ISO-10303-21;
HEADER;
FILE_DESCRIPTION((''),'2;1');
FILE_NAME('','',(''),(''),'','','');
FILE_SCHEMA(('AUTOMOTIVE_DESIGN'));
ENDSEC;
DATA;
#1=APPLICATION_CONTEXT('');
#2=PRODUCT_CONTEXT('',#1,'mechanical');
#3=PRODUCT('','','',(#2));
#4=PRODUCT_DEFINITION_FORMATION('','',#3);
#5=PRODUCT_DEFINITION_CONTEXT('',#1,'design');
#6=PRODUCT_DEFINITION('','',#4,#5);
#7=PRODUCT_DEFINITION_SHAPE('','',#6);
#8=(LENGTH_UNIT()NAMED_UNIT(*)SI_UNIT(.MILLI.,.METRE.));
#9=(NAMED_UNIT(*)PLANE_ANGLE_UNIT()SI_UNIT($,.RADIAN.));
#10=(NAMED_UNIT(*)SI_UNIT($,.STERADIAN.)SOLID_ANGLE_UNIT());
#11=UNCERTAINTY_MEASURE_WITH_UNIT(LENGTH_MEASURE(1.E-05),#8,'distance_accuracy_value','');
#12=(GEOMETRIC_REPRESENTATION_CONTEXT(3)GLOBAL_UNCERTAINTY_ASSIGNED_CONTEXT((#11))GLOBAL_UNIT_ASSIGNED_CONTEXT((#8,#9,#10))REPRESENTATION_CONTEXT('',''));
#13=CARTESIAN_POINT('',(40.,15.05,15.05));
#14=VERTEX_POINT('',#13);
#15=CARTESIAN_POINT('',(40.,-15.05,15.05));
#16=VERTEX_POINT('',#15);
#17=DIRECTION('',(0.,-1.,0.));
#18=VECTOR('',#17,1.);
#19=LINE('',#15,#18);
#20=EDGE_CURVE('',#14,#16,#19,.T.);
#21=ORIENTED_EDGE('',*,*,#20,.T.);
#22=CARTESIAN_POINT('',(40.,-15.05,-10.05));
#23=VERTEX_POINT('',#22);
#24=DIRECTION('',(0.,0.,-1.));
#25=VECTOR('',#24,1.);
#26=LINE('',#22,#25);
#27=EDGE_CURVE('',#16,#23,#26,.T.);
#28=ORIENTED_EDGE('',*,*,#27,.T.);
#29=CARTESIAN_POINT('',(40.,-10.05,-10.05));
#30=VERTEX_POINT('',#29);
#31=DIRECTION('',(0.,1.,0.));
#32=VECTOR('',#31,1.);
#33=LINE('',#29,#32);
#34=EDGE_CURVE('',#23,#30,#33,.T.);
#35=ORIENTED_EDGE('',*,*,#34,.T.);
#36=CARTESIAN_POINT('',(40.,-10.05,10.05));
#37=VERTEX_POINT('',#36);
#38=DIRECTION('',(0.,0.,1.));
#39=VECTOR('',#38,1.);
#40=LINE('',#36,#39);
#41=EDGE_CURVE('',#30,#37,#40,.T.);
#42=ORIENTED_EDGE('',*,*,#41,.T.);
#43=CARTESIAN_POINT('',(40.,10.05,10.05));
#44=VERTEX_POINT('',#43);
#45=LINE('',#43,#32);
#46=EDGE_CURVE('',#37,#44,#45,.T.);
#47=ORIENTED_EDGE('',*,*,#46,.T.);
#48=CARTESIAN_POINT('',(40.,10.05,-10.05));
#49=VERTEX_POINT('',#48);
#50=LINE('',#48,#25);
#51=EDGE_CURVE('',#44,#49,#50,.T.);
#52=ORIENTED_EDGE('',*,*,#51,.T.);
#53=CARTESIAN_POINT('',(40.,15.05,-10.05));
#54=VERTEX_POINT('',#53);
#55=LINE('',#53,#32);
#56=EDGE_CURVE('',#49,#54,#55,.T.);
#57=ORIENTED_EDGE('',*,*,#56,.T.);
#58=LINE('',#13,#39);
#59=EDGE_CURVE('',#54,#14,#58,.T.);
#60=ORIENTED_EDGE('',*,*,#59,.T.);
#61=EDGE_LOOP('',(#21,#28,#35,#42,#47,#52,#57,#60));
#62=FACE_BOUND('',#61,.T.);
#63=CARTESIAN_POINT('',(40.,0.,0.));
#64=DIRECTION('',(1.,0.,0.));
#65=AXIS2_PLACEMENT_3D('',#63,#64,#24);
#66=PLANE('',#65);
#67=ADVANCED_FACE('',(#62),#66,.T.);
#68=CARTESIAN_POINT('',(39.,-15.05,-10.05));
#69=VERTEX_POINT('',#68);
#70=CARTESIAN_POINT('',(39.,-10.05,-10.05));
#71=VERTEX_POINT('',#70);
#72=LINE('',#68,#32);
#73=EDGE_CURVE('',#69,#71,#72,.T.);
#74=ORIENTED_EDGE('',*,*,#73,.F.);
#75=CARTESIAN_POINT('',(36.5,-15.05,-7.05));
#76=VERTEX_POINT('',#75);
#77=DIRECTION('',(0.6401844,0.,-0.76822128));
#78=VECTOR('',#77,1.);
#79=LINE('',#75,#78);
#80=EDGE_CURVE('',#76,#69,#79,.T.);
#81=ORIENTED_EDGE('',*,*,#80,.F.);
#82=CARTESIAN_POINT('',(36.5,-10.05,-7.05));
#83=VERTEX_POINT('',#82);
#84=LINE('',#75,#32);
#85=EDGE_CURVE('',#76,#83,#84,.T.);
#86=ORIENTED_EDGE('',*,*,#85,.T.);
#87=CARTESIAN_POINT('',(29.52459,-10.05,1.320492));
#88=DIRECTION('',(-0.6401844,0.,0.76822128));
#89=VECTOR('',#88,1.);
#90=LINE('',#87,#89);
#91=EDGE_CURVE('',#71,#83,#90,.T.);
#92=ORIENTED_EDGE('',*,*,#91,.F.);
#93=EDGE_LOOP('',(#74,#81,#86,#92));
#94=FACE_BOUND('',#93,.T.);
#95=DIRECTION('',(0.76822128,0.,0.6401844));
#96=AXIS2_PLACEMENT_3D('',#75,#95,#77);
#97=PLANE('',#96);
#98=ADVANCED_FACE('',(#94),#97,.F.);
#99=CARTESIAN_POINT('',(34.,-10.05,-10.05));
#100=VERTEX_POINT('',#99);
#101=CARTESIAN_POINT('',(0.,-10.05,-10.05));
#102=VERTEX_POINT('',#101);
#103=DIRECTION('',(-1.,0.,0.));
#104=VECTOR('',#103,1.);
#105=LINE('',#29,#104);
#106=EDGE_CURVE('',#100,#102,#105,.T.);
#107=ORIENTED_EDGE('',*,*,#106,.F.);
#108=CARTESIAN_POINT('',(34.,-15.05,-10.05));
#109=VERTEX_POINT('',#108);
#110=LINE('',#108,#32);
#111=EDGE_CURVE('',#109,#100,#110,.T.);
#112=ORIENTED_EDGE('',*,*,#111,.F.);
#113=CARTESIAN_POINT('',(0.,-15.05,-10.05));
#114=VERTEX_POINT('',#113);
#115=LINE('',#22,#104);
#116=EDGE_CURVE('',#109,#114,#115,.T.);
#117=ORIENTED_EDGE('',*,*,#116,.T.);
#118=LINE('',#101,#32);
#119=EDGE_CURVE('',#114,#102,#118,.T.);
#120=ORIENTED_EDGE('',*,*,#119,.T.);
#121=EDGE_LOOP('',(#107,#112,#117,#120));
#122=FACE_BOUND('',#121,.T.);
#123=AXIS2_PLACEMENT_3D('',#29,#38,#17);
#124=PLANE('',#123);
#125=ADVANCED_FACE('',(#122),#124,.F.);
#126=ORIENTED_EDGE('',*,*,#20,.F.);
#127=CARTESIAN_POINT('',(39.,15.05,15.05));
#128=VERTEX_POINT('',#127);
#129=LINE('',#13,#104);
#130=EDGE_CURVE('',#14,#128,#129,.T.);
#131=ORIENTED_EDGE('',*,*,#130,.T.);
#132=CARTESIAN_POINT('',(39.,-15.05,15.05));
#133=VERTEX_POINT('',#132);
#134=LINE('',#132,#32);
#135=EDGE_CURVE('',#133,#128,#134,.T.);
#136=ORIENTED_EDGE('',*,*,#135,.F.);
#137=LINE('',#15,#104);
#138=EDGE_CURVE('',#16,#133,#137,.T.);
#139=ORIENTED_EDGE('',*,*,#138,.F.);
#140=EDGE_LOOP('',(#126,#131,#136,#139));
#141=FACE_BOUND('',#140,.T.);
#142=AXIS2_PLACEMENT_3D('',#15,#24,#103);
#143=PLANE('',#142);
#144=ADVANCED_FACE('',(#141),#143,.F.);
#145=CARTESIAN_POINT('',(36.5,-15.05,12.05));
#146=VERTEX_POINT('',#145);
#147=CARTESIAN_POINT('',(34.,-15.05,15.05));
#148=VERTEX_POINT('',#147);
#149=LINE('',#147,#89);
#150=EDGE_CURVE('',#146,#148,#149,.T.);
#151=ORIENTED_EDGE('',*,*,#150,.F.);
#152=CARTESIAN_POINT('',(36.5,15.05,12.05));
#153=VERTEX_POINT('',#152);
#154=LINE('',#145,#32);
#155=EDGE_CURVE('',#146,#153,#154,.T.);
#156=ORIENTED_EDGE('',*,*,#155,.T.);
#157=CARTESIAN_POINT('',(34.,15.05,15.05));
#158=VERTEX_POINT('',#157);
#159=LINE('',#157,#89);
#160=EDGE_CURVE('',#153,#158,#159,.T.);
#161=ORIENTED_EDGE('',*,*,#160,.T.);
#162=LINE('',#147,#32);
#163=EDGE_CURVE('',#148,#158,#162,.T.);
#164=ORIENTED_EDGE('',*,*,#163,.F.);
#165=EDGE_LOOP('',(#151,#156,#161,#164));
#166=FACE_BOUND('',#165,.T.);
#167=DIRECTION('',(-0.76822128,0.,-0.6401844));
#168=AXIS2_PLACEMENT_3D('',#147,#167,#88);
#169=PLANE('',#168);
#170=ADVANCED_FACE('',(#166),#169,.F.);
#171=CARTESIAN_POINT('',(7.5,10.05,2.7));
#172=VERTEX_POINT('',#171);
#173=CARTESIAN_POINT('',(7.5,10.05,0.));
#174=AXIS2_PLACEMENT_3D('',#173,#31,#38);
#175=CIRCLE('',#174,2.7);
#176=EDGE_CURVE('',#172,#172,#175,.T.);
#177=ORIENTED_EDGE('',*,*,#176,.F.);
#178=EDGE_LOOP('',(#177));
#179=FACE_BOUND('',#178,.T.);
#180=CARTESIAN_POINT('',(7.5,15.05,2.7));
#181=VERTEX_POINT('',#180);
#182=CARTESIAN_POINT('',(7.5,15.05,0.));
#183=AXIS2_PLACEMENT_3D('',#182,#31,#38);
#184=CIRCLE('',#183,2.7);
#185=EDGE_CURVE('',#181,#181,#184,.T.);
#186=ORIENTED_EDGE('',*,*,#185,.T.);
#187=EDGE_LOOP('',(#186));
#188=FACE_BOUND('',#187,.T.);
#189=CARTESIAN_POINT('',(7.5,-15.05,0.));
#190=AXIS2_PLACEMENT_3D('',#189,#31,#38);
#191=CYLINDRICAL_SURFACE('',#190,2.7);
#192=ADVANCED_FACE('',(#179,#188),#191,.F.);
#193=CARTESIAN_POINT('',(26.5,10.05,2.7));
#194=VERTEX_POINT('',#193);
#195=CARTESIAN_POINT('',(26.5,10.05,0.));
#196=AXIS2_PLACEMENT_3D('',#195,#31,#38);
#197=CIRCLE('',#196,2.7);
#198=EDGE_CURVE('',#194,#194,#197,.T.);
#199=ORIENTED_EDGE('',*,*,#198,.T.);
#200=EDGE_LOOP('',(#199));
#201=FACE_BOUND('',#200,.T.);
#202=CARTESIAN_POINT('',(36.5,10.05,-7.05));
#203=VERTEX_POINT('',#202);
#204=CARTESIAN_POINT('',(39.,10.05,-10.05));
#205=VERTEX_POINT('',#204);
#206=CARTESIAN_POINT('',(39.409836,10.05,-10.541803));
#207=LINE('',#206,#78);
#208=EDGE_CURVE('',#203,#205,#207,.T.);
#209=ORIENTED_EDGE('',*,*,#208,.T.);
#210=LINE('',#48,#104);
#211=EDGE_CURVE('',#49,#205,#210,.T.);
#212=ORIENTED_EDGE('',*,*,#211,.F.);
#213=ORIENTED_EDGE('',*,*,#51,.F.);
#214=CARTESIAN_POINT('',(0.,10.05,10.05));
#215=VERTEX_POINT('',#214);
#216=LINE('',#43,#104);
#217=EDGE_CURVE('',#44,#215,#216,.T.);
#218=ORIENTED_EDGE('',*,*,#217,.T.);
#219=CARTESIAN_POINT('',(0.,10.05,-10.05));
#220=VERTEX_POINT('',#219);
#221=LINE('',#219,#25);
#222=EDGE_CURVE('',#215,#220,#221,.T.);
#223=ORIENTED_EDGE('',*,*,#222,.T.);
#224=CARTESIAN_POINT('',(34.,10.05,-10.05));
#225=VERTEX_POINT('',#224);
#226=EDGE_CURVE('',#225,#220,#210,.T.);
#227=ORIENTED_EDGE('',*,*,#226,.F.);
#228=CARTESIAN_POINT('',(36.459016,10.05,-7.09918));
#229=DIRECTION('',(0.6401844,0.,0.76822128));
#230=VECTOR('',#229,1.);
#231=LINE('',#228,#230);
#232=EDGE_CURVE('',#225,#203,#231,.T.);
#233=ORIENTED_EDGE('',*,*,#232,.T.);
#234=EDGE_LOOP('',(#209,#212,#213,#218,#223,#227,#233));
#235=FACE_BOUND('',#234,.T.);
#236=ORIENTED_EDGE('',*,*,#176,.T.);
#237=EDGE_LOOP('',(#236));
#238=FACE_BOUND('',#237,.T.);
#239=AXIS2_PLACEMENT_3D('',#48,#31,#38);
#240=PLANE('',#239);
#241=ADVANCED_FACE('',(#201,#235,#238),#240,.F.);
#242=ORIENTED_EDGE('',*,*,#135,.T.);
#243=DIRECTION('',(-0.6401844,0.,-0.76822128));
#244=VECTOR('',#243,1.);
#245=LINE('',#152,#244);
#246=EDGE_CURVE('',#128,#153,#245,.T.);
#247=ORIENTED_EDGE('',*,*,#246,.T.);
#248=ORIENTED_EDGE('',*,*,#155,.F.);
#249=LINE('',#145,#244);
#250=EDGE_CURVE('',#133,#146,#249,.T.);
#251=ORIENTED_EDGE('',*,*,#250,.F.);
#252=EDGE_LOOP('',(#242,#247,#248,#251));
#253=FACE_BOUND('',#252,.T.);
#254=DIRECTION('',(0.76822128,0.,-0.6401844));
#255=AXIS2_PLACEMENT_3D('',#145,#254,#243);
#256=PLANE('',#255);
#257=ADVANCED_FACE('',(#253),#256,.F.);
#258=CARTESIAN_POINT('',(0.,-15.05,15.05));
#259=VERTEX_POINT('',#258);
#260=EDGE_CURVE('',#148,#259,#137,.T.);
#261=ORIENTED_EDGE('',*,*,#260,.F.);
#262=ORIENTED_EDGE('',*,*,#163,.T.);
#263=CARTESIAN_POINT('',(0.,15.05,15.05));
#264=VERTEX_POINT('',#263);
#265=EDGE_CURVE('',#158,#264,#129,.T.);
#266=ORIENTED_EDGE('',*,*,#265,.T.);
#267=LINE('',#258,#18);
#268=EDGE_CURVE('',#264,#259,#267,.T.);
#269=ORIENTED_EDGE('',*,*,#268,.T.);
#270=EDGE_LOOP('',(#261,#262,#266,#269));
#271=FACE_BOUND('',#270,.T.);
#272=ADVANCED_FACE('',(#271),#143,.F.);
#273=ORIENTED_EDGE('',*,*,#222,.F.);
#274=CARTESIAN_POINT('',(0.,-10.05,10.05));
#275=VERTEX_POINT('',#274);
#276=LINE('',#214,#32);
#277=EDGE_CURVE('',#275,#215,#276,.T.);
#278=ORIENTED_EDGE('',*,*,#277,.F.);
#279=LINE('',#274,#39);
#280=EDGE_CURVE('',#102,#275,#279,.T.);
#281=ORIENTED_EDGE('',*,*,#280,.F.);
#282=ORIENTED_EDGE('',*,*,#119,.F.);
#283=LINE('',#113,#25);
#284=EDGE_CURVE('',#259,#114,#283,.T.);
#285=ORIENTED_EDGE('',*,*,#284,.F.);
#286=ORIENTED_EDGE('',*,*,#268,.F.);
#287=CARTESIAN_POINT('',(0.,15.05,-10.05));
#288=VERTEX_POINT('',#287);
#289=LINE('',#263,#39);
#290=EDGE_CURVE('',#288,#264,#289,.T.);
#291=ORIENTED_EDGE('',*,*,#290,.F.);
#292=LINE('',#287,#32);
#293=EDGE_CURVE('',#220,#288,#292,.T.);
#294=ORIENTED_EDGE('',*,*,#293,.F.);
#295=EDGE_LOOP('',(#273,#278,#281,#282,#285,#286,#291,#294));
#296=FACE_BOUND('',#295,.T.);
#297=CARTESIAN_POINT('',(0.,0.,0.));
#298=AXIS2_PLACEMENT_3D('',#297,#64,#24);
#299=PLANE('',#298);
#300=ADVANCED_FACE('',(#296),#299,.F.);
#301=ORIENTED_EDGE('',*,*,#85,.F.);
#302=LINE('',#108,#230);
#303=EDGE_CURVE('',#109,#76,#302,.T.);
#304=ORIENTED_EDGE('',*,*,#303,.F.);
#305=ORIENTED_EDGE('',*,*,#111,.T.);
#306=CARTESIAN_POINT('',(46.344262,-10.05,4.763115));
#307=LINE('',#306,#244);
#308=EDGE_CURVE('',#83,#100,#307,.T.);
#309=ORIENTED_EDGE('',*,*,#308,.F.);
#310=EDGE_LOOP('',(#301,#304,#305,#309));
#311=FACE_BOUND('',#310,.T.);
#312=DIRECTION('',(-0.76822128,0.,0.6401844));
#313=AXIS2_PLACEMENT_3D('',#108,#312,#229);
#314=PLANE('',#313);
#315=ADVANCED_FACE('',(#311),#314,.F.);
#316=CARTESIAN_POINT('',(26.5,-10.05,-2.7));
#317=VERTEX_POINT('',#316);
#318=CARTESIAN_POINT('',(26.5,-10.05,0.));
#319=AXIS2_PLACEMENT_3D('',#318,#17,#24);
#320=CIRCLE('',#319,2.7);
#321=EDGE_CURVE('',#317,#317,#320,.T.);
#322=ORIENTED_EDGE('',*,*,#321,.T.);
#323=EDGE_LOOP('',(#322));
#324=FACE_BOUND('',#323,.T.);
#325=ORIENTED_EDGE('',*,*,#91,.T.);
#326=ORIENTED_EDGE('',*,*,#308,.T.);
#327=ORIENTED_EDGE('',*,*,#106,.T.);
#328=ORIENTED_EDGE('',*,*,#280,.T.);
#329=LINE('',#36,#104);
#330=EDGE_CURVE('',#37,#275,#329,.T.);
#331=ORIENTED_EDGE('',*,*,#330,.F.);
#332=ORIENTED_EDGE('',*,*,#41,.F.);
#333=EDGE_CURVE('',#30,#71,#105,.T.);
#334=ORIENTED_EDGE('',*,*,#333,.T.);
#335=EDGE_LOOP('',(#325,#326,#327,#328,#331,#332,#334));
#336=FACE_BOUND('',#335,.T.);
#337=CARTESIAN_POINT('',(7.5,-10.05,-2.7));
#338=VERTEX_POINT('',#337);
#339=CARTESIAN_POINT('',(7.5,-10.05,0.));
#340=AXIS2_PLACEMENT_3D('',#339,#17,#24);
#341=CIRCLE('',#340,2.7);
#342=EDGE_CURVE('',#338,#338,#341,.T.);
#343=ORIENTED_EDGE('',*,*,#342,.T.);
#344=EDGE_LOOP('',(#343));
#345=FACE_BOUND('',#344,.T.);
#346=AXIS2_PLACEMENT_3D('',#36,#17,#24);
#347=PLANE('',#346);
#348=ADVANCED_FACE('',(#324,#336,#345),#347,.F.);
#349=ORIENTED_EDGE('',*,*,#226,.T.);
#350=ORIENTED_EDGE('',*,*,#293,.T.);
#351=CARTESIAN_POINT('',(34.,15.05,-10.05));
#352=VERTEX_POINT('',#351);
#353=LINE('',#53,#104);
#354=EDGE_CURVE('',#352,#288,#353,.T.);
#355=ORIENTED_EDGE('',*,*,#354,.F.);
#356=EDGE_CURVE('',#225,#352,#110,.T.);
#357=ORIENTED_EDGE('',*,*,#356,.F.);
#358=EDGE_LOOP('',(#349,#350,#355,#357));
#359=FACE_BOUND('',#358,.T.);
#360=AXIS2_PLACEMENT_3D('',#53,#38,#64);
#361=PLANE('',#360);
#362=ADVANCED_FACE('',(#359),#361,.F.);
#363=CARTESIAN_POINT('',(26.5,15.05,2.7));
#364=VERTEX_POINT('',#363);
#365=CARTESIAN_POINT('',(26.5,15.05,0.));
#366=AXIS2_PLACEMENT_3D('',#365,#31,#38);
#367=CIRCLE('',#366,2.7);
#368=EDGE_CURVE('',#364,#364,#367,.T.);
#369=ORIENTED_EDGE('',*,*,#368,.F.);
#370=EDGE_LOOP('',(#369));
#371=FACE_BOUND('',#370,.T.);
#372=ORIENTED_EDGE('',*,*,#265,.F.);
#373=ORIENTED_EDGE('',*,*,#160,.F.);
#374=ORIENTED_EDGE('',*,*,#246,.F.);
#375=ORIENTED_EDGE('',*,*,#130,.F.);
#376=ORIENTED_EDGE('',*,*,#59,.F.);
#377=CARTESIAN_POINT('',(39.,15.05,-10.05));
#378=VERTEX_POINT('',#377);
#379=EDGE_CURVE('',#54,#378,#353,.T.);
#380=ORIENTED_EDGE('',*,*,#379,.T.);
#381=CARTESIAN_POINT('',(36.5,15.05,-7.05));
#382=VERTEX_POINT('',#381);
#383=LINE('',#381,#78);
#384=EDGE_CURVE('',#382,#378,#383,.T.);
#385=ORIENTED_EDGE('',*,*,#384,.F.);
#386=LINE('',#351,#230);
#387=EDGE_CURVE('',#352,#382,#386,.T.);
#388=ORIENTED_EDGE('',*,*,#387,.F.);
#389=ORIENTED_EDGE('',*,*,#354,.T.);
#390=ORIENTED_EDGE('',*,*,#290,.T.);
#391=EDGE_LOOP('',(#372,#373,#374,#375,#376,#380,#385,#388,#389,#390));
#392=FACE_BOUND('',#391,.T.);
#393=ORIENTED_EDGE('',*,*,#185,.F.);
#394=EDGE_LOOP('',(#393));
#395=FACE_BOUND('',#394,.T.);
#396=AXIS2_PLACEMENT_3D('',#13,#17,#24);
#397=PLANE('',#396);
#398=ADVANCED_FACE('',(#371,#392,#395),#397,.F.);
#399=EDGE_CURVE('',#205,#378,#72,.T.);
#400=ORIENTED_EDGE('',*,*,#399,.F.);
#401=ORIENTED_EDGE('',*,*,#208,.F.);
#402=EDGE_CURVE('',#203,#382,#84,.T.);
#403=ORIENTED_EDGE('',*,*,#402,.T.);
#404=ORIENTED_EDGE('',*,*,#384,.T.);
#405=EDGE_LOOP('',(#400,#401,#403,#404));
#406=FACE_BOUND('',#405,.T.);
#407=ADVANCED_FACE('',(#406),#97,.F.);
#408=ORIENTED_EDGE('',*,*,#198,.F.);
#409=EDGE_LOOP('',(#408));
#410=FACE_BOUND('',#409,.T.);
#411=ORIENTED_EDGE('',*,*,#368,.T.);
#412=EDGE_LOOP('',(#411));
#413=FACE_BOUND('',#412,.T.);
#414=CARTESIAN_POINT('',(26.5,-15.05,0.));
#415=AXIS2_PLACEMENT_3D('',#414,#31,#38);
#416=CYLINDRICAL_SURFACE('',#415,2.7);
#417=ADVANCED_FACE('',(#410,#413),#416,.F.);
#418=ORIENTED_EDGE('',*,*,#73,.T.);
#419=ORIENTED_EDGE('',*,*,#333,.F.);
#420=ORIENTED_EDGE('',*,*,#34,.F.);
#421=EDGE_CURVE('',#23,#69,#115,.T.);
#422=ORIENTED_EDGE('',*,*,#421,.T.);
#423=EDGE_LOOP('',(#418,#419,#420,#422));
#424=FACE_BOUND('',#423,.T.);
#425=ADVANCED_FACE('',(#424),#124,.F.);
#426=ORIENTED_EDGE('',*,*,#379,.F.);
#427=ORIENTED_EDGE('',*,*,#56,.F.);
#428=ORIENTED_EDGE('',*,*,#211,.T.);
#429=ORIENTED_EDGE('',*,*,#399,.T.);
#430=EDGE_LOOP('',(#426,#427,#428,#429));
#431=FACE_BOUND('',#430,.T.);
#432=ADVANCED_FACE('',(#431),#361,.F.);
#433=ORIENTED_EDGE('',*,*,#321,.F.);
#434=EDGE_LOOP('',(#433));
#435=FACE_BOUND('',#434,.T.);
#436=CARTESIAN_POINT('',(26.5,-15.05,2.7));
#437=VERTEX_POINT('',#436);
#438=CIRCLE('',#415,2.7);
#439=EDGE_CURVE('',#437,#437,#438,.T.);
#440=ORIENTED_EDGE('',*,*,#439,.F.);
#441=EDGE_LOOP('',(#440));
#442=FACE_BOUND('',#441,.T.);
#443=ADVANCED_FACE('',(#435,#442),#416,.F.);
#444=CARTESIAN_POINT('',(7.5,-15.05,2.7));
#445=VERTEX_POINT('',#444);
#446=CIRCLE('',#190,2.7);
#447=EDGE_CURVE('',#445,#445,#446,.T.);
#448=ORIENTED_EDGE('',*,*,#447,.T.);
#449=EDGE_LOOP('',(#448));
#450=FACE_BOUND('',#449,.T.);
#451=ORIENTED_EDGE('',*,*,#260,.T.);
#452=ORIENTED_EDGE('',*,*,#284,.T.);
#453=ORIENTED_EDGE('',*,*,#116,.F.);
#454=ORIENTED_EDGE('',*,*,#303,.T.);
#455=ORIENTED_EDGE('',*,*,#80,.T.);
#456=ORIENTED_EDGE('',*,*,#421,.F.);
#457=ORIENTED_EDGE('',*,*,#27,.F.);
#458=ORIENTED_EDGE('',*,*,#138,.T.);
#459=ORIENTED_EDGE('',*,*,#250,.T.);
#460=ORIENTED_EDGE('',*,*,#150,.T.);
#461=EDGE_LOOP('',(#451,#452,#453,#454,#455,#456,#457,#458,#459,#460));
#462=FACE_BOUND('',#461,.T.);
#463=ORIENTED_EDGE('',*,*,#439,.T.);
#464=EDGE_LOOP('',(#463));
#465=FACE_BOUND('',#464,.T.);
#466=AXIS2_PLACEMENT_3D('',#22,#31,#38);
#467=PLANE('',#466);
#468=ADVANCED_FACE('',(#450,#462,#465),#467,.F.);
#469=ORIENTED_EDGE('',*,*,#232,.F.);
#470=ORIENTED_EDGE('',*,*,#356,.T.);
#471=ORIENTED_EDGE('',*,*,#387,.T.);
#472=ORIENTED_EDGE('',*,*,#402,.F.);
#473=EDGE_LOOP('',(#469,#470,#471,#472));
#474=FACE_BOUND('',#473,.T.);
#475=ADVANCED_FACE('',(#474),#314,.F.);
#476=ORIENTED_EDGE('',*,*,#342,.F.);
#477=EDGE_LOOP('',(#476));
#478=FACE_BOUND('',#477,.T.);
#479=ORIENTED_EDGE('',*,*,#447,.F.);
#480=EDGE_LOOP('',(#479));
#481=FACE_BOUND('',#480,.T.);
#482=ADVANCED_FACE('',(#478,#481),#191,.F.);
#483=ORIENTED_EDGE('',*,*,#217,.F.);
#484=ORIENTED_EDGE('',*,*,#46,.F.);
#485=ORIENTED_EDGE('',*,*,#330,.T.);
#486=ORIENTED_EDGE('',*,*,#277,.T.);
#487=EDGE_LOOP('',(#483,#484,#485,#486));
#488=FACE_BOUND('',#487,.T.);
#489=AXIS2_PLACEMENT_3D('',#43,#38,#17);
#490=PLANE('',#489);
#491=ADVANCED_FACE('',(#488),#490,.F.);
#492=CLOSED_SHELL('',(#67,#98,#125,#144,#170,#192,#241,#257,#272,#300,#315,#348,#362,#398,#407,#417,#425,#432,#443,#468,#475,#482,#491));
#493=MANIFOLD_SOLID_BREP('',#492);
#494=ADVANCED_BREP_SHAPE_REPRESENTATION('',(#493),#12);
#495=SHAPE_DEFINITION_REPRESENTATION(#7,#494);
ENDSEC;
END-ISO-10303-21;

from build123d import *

# Parameters (mm, degrees)
BOSS_EXTRUDE1_DEPTH = 40
SKETCH5_R           = 2.7
CUT_EXTRUDE1_DEPTH  = 31.1


with BuildPart() as part:
    # Sketch1 → Boss-Extrude1 (new body)
    with BuildSketch(Plane(origin=(0, 0, 0), x_dir=(0, 0, -1), z_dir=(1, 0, 0))):
        Polygon((10.05, -10.05), (10.05, -15.05), (-15.05, -15.05), (-15.05, 15.05), (10.05, 15.05), (10.05, 10.05), (-10.05, 10.05), (-10.05, -10.05), align=None)
    extrude(amount=BOSS_EXTRUDE1_DEPTH)

    # Sketch5 → Cut-Extrude1 (cut, through all)
    with BuildSketch(Plane(origin=(0, 15.05, 0), x_dir=(1, 0, 0), z_dir=(0, 1, 0))):
        with Locations((7.5, 0)):
            Circle(SKETCH5_R)
        with Locations((26.5, 0)):
            Circle(SKETCH5_R)
        Polygon((34, -15.05), (36.5, -12.05), (39, -15.05), align=None)
        Polygon((36.5, 7.05), (39, 10.05), (34, 10.05), align=None)
    extrude(amount=-CUT_EXTRUDE1_DEPTH, mode=Mode.SUBTRACT)


solid = part.part
